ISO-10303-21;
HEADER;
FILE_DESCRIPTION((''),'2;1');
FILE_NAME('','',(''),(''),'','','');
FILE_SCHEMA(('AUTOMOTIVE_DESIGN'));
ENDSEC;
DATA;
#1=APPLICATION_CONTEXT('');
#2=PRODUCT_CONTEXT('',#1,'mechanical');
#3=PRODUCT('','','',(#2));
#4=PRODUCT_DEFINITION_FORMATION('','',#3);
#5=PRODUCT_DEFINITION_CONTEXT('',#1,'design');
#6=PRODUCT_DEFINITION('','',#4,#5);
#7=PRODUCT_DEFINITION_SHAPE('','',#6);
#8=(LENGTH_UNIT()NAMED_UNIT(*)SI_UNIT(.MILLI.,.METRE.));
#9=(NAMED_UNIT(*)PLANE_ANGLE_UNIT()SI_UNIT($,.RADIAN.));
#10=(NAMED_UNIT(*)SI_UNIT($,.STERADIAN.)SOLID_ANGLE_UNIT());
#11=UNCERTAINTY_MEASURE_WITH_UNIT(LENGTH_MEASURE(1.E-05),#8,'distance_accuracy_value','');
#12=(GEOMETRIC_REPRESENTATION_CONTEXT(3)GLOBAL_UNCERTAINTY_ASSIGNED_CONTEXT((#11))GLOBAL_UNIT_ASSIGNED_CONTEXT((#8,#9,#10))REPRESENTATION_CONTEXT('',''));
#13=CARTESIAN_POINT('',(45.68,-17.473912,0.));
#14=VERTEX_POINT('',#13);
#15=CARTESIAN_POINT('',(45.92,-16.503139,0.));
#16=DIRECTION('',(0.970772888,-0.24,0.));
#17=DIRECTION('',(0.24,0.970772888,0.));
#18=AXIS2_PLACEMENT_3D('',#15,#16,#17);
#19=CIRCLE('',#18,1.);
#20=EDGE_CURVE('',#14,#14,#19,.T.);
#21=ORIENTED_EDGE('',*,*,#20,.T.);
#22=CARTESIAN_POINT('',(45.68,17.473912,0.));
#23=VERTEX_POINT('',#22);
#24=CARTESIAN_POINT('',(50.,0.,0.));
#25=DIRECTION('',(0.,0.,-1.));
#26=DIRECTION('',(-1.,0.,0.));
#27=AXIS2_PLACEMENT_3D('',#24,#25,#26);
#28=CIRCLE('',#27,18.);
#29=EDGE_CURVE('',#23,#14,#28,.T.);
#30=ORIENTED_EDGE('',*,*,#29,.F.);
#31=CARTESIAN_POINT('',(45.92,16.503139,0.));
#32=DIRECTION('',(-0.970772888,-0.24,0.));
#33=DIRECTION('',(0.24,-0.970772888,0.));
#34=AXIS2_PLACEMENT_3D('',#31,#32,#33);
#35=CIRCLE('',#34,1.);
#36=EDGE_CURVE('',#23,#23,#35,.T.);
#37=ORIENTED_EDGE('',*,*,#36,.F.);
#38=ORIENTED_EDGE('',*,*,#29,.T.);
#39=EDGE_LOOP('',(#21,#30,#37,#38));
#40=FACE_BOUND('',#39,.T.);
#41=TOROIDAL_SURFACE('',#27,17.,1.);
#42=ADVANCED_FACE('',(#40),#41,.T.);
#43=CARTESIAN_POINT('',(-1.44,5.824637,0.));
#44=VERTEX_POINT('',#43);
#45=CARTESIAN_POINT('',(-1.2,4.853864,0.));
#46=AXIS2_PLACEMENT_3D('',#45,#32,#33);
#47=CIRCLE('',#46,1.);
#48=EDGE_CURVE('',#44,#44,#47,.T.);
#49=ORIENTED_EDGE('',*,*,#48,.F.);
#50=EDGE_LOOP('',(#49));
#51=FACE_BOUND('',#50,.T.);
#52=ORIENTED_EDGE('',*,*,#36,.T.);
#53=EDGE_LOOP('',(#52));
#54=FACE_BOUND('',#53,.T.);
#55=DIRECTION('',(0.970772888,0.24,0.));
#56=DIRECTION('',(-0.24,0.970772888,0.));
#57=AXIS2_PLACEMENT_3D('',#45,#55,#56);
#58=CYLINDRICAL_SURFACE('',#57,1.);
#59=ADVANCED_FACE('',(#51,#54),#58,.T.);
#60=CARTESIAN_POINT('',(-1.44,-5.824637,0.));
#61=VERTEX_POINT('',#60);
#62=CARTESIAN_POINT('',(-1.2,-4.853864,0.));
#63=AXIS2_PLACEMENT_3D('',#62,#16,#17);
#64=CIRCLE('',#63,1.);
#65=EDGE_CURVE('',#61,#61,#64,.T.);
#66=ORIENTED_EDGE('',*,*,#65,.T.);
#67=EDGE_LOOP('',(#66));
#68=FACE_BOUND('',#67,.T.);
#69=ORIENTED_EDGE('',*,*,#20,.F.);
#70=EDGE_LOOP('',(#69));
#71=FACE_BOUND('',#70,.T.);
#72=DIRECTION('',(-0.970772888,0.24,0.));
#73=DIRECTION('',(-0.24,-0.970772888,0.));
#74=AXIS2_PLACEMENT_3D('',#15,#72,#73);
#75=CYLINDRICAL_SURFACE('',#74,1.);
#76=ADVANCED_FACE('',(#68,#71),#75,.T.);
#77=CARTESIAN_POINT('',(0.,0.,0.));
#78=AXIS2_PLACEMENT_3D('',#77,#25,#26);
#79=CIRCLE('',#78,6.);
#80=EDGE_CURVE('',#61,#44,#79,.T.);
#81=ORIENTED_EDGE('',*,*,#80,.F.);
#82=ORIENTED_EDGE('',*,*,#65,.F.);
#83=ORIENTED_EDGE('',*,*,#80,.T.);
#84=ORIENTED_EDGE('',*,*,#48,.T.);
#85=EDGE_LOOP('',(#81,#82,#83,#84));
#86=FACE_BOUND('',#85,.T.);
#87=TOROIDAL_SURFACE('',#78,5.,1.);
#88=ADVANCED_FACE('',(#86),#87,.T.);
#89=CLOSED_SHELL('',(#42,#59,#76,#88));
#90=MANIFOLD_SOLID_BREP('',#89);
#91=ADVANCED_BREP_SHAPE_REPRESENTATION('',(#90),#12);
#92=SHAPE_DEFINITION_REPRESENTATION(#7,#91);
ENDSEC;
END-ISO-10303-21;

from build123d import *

# Parameters (mm, degrees)
SWEEP1_PROFILE_R = 1


with BuildPart() as part:
    # Sweep1: sweep along a path in Sketch1
    with BuildLine(Plane.XY) as sweep1_path:
        Line((-1.2, 4.85386444), (45.92, 16.503139095))
        ThreePointArc((45.92, 16.503139095), (67, 0), (45.92, -16.503139095))
        Line((45.92, -16.503139095), (-1.2, -4.85386444))
        ThreePointArc((-1.2, -4.85386444), (-5, 0), (-1.2, 4.85386444))
    # Sweep1 profile (on start of the path) → Sweep1 (sweep)
    with BuildSketch(Plane(origin=(-1.2, 4.85386444, 0), x_dir=(-0.24, 0.970772888, 0), z_dir=(0.970772888, 0.24, 0))):
        Circle(SWEEP1_PROFILE_R)
    sweep(path=sweep1_path.line)


solid = part.part
